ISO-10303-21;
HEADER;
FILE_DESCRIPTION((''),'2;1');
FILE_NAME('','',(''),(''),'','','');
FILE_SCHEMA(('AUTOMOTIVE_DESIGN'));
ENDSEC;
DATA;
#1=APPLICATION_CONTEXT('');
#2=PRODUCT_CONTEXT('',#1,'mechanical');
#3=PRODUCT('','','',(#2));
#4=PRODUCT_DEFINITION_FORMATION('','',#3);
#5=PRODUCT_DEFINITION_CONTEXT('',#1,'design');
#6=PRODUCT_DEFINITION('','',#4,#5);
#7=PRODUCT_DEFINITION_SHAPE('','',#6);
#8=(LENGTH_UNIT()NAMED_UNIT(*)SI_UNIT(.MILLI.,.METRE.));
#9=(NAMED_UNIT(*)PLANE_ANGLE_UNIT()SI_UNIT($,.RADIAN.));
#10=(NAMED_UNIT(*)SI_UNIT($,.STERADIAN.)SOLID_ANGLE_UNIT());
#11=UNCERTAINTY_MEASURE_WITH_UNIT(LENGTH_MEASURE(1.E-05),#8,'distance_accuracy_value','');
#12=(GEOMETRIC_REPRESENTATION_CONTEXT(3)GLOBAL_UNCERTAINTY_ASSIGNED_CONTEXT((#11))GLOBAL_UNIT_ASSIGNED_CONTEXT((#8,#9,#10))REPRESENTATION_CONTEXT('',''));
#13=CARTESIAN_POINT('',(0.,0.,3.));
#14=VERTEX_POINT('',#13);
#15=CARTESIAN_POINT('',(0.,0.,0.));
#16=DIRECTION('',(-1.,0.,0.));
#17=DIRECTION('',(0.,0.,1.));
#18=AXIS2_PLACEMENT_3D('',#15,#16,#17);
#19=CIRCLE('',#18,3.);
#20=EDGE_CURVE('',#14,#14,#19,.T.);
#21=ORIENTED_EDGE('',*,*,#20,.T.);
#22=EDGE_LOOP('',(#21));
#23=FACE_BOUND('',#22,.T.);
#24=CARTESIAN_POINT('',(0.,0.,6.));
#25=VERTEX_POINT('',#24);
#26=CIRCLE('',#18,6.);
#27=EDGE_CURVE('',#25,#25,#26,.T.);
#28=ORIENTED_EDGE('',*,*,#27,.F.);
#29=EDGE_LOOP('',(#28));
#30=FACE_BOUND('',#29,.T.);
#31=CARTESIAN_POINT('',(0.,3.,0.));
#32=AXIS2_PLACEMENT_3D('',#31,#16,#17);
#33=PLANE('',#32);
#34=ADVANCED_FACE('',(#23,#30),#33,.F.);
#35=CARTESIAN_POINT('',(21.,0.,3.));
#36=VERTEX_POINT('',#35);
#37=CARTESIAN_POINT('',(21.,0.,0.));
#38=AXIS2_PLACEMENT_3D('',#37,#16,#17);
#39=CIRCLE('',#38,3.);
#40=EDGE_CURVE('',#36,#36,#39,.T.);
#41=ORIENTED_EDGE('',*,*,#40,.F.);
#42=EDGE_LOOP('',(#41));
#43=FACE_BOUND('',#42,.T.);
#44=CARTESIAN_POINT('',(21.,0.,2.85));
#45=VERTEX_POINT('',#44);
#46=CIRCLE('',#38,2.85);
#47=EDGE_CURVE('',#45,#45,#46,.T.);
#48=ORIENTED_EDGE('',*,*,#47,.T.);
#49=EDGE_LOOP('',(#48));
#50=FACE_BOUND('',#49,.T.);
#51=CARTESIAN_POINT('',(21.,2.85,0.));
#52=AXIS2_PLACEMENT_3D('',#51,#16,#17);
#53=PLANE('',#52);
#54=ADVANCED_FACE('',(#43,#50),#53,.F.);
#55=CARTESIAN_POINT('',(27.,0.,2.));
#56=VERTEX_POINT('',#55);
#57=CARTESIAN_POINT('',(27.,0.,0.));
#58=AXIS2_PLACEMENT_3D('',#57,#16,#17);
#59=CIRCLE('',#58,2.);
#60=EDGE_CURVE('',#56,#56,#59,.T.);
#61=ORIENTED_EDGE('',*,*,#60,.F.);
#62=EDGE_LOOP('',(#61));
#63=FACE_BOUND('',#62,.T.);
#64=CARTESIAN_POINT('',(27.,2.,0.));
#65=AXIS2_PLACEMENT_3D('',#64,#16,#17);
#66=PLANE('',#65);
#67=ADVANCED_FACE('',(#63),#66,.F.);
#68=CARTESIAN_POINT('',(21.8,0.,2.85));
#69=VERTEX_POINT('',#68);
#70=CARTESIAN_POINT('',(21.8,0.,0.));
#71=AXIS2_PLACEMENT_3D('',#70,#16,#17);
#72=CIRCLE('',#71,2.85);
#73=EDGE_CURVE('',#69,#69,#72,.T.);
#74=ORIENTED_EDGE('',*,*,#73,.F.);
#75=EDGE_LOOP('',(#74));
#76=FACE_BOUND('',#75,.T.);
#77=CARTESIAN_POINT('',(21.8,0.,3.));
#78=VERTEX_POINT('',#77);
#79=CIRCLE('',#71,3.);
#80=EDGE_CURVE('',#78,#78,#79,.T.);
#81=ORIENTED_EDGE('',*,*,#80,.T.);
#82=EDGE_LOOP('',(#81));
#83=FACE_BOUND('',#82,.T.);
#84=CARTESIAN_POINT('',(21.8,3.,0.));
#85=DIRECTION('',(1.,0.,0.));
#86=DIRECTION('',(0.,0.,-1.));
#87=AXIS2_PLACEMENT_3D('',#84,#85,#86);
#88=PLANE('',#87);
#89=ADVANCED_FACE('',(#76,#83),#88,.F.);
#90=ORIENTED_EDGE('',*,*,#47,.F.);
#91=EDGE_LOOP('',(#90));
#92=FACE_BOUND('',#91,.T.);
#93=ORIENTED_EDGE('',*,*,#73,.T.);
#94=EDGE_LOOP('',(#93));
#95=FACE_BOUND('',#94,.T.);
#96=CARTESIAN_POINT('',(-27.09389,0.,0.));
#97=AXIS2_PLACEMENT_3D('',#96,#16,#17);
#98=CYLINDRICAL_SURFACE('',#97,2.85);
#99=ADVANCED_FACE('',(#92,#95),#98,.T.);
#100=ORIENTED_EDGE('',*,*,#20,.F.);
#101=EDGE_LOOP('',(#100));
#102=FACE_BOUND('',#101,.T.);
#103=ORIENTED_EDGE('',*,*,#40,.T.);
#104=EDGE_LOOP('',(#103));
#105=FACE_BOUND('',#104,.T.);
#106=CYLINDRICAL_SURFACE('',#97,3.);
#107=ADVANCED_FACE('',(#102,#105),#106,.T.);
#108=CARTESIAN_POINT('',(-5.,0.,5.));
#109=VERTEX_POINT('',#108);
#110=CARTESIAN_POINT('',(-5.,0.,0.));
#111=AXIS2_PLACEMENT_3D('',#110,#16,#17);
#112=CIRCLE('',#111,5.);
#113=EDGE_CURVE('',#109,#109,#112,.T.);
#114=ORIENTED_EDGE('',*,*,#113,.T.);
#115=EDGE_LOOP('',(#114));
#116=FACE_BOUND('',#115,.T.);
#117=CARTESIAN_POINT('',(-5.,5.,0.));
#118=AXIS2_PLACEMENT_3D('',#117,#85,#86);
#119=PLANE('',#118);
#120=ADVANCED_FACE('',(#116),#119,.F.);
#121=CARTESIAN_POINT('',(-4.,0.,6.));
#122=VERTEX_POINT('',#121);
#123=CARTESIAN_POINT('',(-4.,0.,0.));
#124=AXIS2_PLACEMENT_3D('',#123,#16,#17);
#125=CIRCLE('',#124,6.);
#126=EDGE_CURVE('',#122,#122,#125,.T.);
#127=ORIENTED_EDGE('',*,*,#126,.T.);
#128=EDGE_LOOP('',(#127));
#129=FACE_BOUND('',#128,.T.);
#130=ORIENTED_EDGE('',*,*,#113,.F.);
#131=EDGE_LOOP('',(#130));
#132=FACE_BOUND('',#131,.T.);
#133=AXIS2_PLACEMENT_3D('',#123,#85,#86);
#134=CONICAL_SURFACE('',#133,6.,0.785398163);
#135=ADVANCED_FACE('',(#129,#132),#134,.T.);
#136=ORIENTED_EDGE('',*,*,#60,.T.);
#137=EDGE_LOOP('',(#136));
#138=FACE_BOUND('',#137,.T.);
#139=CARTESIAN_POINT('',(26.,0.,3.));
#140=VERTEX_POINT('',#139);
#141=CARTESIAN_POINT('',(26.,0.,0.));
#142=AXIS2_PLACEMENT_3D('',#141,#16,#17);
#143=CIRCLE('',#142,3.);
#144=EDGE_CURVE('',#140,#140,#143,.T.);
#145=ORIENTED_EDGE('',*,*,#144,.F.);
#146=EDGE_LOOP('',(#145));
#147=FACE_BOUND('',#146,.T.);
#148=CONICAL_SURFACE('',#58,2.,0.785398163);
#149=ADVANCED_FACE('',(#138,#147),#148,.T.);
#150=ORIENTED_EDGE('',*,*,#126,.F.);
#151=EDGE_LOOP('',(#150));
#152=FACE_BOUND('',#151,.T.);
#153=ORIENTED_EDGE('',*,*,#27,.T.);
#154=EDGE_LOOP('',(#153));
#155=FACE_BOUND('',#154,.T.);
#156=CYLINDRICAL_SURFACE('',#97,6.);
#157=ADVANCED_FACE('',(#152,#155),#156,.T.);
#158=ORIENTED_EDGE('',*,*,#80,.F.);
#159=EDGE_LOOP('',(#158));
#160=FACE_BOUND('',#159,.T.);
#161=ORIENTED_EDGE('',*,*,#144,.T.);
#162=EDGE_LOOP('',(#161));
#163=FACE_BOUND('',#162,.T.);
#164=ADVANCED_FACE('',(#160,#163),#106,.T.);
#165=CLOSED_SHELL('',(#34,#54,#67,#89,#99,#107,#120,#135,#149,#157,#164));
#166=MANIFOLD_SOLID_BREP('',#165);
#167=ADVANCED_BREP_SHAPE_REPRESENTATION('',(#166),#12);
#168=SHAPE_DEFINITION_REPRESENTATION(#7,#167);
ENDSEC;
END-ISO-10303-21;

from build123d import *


with BuildPart() as part:
    # Esquisse1 → Révolution1 (revolve)
    with BuildSketch(Plane.XY):
        Polygon((0, 3), (0, 6), (-4, 6), (-5, 5), (-5, 0), (27, 0), (27, 2), (26, 3), (21.8, 3), (21.8, 2.85), (21, 2.85), (21, 3), align=None)
    revolve(axis=Axis((-27.093889619, 0, 0), (1, 0, 0)))


solid = part.part
